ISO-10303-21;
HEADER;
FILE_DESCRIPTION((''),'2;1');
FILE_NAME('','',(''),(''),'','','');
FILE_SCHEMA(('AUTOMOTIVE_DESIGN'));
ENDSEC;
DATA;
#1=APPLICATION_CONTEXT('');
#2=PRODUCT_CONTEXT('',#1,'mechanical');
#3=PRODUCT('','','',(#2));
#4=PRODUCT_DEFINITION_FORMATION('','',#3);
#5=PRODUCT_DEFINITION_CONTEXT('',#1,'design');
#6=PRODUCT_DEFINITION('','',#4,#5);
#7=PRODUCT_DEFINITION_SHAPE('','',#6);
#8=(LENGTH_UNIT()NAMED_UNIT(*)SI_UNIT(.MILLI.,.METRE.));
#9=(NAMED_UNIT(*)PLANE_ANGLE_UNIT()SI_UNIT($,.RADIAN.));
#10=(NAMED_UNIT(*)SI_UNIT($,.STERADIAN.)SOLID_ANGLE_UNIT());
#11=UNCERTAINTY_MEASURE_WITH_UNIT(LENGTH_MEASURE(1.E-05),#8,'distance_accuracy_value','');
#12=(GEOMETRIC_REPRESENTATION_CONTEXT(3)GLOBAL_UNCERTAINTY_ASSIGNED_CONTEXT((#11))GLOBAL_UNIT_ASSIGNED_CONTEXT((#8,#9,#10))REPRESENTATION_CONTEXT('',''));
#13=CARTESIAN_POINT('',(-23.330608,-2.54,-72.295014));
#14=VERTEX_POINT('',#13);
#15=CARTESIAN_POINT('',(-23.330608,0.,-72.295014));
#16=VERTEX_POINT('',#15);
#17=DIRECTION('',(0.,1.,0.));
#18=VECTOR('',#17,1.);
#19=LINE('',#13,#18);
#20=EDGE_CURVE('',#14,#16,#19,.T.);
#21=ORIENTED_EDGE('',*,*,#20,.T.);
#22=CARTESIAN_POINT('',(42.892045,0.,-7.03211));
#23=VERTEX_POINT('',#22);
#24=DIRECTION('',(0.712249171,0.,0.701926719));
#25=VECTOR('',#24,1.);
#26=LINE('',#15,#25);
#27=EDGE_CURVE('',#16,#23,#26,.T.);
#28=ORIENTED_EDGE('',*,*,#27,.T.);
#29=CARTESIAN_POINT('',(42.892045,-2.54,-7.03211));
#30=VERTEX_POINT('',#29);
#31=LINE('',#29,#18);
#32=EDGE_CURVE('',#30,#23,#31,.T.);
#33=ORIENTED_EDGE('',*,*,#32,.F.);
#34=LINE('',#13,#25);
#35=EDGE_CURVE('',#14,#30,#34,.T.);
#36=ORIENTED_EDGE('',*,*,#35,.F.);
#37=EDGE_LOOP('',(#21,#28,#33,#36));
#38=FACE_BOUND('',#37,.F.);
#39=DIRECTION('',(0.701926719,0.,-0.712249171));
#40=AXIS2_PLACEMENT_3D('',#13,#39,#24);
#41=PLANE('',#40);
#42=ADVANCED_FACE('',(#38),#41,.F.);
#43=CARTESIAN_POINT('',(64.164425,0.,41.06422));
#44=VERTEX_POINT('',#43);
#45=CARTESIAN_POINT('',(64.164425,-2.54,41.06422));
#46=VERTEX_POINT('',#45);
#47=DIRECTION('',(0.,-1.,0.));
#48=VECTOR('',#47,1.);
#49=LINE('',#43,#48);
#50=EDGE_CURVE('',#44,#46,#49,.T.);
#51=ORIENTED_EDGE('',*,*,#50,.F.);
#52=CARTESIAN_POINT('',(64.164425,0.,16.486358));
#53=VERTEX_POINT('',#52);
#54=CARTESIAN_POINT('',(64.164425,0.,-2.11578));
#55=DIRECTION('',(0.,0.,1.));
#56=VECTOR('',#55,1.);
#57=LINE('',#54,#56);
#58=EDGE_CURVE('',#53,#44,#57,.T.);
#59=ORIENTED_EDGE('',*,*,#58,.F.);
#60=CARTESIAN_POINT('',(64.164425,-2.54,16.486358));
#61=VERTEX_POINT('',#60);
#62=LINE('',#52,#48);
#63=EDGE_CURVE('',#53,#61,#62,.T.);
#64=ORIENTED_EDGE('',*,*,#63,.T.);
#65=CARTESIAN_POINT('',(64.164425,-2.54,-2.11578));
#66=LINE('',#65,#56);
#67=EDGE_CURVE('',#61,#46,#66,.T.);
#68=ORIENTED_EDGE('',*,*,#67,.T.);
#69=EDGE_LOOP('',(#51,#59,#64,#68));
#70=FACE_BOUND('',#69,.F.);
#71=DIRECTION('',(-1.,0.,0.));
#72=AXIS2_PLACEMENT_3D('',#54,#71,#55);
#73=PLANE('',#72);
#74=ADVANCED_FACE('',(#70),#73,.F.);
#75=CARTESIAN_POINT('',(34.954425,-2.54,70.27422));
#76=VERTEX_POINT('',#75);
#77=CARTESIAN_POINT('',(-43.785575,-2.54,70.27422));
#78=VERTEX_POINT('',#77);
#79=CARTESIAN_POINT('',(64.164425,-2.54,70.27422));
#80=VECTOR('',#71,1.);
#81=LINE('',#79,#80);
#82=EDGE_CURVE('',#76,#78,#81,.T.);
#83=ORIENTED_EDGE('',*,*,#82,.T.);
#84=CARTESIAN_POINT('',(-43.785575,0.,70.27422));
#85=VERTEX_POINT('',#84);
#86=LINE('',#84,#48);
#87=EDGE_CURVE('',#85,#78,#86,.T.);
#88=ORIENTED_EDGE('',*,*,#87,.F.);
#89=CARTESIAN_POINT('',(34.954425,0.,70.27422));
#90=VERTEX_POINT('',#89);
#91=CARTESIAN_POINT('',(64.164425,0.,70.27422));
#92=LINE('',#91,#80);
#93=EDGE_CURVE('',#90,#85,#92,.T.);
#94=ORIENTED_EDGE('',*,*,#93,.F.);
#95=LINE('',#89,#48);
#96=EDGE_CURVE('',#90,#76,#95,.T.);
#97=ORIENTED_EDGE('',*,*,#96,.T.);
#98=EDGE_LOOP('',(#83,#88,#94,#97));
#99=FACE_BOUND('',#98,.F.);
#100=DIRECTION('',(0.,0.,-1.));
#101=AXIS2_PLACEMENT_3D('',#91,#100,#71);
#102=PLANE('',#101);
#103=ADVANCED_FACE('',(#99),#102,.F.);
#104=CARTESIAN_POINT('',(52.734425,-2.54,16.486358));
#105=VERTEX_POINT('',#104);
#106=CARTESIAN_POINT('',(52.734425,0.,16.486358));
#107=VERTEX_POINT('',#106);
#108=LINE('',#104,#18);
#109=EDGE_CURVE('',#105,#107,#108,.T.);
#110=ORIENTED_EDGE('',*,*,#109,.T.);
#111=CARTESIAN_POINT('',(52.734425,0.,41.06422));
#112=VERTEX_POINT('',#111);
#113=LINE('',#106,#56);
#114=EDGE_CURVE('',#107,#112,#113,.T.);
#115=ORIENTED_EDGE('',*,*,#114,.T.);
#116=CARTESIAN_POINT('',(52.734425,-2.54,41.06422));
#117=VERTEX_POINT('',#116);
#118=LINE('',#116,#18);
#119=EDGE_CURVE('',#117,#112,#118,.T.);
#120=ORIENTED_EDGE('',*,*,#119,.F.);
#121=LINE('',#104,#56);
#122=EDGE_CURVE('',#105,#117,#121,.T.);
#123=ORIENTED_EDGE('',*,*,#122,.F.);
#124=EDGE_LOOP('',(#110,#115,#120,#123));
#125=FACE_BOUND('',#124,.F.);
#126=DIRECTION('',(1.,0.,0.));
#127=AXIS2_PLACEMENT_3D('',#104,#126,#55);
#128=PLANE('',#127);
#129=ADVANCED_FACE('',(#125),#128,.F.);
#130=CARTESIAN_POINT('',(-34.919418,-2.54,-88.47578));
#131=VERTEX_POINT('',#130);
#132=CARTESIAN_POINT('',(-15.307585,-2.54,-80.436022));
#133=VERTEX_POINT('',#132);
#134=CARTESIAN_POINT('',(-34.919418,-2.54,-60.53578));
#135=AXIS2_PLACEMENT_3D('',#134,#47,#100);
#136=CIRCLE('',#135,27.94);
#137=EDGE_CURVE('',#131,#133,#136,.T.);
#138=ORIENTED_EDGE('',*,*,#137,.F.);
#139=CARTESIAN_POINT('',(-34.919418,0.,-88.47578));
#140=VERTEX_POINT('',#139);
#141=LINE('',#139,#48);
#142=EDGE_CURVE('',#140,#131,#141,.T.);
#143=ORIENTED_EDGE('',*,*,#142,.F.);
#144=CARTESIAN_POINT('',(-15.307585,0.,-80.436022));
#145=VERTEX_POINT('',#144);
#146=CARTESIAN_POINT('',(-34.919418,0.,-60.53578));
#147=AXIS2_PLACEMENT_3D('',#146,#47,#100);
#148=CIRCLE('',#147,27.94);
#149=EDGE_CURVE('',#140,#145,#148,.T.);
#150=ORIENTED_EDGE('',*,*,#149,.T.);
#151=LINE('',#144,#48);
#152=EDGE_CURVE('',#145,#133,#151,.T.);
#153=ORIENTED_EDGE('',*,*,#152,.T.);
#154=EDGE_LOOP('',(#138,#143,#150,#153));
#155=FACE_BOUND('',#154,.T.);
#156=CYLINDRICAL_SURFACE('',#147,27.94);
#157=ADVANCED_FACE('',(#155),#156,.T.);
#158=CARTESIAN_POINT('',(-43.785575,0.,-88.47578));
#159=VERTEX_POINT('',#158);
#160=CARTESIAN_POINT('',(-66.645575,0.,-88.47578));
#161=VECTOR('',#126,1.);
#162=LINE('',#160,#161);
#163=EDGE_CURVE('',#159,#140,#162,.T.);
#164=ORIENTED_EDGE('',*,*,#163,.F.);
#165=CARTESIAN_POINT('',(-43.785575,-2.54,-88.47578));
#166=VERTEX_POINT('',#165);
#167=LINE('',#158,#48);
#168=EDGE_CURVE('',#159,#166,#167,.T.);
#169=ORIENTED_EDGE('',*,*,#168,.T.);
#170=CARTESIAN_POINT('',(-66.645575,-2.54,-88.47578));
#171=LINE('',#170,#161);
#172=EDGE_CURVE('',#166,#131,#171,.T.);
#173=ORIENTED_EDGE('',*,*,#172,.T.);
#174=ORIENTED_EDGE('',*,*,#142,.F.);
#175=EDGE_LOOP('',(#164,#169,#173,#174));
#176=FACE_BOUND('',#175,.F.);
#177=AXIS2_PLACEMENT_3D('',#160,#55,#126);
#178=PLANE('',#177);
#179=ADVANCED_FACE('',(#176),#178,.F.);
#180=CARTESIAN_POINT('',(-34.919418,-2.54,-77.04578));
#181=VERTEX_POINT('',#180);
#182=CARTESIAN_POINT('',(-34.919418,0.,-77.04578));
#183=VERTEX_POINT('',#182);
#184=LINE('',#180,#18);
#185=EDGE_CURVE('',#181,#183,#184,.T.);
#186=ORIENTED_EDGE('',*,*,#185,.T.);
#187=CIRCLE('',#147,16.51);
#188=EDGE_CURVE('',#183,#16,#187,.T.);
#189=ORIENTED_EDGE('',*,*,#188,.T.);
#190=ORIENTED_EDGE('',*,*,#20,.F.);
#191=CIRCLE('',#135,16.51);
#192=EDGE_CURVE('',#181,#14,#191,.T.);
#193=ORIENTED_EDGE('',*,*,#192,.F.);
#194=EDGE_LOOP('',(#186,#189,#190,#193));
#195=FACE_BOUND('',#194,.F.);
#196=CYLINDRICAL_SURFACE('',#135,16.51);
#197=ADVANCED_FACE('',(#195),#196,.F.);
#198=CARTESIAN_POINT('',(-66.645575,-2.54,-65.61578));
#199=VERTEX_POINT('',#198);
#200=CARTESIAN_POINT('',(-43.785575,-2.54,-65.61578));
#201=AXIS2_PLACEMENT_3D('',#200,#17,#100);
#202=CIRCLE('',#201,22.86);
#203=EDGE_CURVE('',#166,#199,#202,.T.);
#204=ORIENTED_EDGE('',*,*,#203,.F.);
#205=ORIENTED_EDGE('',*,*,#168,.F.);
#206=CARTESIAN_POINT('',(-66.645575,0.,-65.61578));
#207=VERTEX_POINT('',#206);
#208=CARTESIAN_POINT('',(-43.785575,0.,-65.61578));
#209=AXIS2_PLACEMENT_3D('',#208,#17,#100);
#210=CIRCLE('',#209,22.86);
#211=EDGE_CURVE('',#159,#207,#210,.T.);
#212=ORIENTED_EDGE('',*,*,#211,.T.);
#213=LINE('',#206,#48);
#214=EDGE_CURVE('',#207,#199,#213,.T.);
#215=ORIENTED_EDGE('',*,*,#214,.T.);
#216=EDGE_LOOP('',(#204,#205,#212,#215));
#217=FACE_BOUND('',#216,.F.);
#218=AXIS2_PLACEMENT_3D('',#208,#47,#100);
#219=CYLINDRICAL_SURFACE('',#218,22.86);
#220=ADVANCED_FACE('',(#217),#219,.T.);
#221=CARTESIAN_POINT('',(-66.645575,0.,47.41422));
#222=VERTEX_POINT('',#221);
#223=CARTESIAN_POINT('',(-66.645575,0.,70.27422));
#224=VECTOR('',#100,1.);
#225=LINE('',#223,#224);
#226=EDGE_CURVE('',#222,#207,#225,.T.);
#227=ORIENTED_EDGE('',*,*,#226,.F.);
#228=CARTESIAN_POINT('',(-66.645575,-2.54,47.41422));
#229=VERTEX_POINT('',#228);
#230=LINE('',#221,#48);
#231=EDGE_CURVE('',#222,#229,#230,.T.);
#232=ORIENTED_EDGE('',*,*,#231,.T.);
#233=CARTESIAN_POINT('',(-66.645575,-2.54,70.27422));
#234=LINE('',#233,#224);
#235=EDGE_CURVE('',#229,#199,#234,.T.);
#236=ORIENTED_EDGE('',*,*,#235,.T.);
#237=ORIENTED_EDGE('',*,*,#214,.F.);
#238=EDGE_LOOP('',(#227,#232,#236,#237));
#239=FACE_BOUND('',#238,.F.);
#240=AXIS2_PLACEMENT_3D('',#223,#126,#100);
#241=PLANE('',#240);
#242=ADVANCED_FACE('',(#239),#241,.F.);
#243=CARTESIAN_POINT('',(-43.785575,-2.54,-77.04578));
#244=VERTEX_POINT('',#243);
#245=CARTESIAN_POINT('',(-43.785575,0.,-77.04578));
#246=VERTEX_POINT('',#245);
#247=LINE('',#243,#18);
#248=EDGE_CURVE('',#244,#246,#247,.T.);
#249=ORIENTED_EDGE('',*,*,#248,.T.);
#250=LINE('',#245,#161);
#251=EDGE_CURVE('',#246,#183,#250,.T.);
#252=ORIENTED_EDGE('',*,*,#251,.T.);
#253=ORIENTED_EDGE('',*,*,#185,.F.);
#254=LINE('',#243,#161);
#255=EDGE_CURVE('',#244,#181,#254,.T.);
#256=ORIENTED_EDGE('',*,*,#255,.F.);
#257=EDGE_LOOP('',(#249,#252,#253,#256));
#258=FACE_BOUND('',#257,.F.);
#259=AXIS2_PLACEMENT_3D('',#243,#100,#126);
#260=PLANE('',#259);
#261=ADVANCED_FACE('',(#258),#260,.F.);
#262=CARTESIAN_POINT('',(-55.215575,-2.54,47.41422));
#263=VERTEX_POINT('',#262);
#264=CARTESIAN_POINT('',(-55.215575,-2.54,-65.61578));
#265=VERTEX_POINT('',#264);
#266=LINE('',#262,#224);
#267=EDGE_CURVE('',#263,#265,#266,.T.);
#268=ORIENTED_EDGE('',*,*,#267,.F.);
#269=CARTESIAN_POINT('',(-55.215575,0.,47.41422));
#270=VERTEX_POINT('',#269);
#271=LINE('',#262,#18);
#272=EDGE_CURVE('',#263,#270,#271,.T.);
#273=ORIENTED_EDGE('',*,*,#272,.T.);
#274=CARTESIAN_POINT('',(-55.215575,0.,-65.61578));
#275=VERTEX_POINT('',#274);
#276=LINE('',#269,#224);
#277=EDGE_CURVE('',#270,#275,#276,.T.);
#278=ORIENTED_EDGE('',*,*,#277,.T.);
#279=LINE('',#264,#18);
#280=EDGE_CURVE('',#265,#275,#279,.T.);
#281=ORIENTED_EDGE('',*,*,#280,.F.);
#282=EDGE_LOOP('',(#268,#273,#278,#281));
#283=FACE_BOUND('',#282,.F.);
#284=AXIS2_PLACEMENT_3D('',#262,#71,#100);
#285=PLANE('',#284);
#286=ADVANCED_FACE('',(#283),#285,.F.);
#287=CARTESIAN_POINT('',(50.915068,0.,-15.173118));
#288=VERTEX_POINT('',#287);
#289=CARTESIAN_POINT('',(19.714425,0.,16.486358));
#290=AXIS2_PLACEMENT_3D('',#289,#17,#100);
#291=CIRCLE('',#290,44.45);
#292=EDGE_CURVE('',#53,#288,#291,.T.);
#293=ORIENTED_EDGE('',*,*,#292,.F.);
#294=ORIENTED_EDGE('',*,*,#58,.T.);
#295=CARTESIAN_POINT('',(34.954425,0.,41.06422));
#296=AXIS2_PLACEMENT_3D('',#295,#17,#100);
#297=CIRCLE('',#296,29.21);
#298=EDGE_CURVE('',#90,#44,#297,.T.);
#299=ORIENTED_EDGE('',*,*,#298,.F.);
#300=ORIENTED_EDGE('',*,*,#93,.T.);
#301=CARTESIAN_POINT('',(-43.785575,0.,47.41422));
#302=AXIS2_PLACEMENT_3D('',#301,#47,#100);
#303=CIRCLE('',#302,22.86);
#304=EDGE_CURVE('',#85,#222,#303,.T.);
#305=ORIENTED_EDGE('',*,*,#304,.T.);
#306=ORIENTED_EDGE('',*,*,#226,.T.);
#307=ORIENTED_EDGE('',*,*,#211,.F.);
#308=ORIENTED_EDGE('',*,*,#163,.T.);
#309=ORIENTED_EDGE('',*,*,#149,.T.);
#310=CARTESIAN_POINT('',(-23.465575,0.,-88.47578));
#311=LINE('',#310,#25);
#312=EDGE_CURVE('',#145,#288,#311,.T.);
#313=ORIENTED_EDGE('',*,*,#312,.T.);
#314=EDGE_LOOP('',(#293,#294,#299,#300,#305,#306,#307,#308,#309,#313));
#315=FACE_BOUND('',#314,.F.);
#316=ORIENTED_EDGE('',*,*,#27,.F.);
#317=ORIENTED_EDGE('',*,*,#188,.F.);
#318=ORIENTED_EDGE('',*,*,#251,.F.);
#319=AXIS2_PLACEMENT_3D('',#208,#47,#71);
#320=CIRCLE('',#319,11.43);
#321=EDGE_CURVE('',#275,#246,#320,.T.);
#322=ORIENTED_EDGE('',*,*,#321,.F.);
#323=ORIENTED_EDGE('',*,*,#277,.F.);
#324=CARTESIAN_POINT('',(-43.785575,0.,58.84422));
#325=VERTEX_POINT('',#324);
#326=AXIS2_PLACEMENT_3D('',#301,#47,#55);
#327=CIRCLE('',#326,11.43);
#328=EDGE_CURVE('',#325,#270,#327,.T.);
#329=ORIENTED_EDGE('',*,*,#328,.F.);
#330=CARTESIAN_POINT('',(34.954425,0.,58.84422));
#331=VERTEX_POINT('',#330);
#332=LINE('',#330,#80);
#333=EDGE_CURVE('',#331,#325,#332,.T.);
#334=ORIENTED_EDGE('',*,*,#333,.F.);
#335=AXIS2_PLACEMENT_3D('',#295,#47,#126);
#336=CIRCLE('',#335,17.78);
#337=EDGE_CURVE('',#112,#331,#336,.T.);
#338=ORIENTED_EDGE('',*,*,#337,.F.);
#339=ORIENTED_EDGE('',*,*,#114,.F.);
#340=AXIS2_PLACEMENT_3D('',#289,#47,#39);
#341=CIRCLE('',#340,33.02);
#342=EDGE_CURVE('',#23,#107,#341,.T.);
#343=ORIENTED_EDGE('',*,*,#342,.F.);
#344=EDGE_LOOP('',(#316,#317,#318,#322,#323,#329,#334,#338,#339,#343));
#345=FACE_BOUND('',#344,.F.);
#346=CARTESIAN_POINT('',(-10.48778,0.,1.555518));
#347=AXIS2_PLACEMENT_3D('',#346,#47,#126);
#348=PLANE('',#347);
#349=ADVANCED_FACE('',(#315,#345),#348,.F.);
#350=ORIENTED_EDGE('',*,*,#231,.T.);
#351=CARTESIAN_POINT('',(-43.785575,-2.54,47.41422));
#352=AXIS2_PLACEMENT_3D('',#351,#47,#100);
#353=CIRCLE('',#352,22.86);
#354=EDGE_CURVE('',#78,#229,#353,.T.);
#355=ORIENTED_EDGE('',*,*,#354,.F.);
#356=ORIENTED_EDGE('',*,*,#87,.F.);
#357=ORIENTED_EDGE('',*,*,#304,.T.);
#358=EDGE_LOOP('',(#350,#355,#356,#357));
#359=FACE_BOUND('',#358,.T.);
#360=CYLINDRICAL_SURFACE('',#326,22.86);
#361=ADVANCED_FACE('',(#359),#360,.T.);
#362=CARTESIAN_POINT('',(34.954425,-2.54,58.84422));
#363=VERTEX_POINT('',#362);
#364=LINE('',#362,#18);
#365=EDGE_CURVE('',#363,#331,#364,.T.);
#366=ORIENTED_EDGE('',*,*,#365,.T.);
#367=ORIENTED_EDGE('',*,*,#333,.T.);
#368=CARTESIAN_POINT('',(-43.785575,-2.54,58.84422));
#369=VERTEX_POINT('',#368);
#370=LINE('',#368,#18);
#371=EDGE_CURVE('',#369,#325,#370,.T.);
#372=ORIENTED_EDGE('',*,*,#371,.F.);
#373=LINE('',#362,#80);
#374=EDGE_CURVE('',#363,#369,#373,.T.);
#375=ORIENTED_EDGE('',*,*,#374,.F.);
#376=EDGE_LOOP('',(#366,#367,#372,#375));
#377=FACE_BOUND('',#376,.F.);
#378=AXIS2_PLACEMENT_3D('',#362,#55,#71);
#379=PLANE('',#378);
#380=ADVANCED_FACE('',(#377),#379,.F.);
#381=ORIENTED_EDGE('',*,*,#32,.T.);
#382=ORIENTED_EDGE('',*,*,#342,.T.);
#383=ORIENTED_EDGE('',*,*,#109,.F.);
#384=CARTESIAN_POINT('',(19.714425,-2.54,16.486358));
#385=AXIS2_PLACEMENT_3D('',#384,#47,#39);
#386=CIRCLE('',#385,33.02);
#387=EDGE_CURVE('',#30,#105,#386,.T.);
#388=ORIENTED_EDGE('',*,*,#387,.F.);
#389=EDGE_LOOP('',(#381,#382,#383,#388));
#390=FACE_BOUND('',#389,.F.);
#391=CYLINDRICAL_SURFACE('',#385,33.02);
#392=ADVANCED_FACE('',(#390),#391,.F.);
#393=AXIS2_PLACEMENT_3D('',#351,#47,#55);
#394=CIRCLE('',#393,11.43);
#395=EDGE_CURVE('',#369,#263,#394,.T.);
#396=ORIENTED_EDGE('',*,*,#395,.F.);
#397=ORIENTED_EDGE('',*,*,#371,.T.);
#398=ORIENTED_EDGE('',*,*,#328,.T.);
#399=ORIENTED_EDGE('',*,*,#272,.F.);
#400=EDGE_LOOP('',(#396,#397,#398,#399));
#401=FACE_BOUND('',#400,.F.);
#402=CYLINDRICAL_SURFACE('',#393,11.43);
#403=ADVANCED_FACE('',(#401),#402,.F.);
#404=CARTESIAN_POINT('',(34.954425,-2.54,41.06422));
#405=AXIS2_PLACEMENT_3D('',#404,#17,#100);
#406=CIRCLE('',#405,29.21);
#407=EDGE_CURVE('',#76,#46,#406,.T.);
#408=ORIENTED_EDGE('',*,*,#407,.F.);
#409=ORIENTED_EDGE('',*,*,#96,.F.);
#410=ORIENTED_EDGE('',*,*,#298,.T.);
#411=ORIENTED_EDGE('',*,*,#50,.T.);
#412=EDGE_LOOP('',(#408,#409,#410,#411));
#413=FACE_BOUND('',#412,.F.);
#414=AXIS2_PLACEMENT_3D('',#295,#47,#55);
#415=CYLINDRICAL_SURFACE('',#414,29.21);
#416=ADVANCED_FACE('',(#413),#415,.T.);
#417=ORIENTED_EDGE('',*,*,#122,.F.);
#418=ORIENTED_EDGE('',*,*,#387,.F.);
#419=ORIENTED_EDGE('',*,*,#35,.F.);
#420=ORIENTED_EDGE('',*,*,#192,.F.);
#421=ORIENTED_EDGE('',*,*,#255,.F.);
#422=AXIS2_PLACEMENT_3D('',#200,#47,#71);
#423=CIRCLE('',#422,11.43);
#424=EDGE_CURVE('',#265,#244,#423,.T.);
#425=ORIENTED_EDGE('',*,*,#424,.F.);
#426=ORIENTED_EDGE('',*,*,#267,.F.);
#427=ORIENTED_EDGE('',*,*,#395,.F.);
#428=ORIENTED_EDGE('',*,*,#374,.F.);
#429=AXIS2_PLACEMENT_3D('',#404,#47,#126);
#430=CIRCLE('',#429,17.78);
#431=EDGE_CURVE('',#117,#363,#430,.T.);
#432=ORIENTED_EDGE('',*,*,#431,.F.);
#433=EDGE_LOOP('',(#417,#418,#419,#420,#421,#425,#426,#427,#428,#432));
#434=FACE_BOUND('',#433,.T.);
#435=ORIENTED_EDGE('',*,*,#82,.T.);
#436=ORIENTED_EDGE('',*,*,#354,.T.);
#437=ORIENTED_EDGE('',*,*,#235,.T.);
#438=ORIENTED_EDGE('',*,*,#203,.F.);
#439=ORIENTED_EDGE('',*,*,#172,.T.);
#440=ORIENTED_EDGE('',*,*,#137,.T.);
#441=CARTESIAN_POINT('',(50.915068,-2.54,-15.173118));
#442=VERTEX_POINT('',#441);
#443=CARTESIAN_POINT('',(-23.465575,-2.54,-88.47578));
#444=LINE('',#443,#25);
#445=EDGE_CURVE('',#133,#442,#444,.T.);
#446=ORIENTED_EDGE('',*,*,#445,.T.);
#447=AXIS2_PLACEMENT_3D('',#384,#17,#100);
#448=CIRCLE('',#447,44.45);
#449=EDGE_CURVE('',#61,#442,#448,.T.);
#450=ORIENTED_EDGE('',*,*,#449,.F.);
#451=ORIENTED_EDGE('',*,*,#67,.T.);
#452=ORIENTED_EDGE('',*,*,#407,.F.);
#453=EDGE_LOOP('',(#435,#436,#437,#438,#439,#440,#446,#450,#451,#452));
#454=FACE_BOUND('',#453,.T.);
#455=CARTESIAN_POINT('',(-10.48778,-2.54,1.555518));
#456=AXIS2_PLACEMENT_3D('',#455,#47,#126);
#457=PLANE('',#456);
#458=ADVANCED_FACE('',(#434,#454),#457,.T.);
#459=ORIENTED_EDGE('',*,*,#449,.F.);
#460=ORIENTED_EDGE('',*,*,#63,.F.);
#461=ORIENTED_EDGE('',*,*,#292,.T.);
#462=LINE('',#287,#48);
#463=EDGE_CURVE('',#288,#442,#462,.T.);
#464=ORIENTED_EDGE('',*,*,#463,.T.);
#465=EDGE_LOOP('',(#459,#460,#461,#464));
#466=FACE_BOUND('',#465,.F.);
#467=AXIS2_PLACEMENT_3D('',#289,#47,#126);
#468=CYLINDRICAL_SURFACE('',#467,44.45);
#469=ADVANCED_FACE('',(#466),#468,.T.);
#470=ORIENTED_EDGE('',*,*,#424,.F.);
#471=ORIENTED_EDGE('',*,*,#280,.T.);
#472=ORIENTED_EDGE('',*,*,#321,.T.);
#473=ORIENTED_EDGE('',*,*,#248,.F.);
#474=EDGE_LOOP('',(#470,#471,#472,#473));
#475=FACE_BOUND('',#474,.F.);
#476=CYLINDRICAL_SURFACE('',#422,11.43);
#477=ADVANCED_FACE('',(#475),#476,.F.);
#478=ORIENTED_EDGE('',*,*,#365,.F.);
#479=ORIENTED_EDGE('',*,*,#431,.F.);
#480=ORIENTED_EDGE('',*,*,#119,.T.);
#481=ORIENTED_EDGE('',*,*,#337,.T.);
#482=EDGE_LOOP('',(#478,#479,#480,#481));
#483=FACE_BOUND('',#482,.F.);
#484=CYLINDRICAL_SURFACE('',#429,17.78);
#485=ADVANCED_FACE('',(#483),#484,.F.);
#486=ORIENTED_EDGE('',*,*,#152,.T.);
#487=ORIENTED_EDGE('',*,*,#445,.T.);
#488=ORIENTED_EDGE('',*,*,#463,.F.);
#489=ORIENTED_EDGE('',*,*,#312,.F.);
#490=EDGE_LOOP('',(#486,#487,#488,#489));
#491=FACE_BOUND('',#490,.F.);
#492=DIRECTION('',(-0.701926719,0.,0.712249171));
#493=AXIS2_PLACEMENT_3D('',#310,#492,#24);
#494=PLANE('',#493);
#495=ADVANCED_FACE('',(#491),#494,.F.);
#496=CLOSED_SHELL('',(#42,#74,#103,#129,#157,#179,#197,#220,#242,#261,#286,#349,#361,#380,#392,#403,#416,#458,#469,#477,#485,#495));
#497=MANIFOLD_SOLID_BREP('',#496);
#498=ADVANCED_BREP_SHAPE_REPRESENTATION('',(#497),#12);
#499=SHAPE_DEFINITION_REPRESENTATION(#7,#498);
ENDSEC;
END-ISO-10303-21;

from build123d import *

# Parameters (mm, degrees)
F1_DEPTH = 2.54
F2_R     = 22.86
F3_R     = 29.21
F4_R     = 44.45
F5_R     = 22.86
F6_R     = 27.94
F8_DEPTH = 2.54


with BuildPart() as f1:
    # F0 (on Front) → F1 (new body)
    with BuildSketch(Plane.XZ):
        Polygon((64.1644249716, 70.274220109), (-66.6455750284, 70.274220109), (-66.6455750284, -88.475779891), (-23.4655750284, -88.475779891), (64.1644249716, -2.115779891), align=None)
    extrude(amount=F1_DEPTH)

    # F2
    f2_edges = [f1.edges().sort_by_distance(p)[0] for p in [
        (-66.645575, -1.27, 70.27422),
    ]]
    fillet(f2_edges, radius=F2_R)

    # F3
    f3_edges = [f1.edges().sort_by_distance(p)[0] for p in [
        (64.164425, -1.27, 70.27422),
    ]]
    fillet(f3_edges, radius=F3_R)

    # F4
    f4_edges = [f1.edges().sort_by_distance(p)[0] for p in [
        (64.164425, -1.27, -2.11578),
    ]]
    fillet(f4_edges, radius=F4_R)

    # F5
    f5_edges = [f1.edges().sort_by_distance(p)[0] for p in [
        (-66.645575, -1.27, -88.47578),
    ]]
    fillet(f5_edges, radius=F5_R)

    # F6
    f6_edges = [f1.edges().sort_by_distance(p)[0] for p in [
        (-23.465575, -1.27, -88.47578),
    ]]
    fillet(f6_edges, radius=F6_R)

    # F7 (on face) → F8 (cut, through all)
    with BuildSketch(Plane.XZ.offset(2.54)):
        with BuildLine():
            ThreePointArc((42.8920452321, -7.0321095397), (50.1746073496, 3.7388999191), (52.7344249716, 16.4863580775))
            Line((52.7344249716, 16.4863580775), (52.7344249716, 41.064220109))
            ThreePointArc((52.7344249716, 41.064220109), (47.5267835411, 53.6365786785), (34.9544249716, 58.844220109))
            Line((34.9544249716, 58.844220109), (-43.7855750284, 58.844220109))
            ThreePointArc((-43.7855750284, 58.844220109), (-51.8678055373, 55.4964506179), (-55.2155750284, 47.414220109))
            Line((-55.2155750284, 47.414220109), (-55.2155750284, -65.615779891))
            ThreePointArc((-55.2155750284, -65.615779891), (-51.8678055373, -73.6980104), (-43.7855750284, -77.045779891))
            Line((-43.7855750284, -77.045779891), (-34.9194176486, -77.045779891))
            ThreePointArc((-34.9194176486, -77.045779891), (-28.6570239441, -75.8119877022), (-23.3306075184, -72.2950136996))
            Line((-23.3306075184, -72.2950136996), (42.8920452321, -7.0321095397))
        make_face()
    extrude(amount=-F8_DEPTH, mode=Mode.SUBTRACT)


solid = f1.part
